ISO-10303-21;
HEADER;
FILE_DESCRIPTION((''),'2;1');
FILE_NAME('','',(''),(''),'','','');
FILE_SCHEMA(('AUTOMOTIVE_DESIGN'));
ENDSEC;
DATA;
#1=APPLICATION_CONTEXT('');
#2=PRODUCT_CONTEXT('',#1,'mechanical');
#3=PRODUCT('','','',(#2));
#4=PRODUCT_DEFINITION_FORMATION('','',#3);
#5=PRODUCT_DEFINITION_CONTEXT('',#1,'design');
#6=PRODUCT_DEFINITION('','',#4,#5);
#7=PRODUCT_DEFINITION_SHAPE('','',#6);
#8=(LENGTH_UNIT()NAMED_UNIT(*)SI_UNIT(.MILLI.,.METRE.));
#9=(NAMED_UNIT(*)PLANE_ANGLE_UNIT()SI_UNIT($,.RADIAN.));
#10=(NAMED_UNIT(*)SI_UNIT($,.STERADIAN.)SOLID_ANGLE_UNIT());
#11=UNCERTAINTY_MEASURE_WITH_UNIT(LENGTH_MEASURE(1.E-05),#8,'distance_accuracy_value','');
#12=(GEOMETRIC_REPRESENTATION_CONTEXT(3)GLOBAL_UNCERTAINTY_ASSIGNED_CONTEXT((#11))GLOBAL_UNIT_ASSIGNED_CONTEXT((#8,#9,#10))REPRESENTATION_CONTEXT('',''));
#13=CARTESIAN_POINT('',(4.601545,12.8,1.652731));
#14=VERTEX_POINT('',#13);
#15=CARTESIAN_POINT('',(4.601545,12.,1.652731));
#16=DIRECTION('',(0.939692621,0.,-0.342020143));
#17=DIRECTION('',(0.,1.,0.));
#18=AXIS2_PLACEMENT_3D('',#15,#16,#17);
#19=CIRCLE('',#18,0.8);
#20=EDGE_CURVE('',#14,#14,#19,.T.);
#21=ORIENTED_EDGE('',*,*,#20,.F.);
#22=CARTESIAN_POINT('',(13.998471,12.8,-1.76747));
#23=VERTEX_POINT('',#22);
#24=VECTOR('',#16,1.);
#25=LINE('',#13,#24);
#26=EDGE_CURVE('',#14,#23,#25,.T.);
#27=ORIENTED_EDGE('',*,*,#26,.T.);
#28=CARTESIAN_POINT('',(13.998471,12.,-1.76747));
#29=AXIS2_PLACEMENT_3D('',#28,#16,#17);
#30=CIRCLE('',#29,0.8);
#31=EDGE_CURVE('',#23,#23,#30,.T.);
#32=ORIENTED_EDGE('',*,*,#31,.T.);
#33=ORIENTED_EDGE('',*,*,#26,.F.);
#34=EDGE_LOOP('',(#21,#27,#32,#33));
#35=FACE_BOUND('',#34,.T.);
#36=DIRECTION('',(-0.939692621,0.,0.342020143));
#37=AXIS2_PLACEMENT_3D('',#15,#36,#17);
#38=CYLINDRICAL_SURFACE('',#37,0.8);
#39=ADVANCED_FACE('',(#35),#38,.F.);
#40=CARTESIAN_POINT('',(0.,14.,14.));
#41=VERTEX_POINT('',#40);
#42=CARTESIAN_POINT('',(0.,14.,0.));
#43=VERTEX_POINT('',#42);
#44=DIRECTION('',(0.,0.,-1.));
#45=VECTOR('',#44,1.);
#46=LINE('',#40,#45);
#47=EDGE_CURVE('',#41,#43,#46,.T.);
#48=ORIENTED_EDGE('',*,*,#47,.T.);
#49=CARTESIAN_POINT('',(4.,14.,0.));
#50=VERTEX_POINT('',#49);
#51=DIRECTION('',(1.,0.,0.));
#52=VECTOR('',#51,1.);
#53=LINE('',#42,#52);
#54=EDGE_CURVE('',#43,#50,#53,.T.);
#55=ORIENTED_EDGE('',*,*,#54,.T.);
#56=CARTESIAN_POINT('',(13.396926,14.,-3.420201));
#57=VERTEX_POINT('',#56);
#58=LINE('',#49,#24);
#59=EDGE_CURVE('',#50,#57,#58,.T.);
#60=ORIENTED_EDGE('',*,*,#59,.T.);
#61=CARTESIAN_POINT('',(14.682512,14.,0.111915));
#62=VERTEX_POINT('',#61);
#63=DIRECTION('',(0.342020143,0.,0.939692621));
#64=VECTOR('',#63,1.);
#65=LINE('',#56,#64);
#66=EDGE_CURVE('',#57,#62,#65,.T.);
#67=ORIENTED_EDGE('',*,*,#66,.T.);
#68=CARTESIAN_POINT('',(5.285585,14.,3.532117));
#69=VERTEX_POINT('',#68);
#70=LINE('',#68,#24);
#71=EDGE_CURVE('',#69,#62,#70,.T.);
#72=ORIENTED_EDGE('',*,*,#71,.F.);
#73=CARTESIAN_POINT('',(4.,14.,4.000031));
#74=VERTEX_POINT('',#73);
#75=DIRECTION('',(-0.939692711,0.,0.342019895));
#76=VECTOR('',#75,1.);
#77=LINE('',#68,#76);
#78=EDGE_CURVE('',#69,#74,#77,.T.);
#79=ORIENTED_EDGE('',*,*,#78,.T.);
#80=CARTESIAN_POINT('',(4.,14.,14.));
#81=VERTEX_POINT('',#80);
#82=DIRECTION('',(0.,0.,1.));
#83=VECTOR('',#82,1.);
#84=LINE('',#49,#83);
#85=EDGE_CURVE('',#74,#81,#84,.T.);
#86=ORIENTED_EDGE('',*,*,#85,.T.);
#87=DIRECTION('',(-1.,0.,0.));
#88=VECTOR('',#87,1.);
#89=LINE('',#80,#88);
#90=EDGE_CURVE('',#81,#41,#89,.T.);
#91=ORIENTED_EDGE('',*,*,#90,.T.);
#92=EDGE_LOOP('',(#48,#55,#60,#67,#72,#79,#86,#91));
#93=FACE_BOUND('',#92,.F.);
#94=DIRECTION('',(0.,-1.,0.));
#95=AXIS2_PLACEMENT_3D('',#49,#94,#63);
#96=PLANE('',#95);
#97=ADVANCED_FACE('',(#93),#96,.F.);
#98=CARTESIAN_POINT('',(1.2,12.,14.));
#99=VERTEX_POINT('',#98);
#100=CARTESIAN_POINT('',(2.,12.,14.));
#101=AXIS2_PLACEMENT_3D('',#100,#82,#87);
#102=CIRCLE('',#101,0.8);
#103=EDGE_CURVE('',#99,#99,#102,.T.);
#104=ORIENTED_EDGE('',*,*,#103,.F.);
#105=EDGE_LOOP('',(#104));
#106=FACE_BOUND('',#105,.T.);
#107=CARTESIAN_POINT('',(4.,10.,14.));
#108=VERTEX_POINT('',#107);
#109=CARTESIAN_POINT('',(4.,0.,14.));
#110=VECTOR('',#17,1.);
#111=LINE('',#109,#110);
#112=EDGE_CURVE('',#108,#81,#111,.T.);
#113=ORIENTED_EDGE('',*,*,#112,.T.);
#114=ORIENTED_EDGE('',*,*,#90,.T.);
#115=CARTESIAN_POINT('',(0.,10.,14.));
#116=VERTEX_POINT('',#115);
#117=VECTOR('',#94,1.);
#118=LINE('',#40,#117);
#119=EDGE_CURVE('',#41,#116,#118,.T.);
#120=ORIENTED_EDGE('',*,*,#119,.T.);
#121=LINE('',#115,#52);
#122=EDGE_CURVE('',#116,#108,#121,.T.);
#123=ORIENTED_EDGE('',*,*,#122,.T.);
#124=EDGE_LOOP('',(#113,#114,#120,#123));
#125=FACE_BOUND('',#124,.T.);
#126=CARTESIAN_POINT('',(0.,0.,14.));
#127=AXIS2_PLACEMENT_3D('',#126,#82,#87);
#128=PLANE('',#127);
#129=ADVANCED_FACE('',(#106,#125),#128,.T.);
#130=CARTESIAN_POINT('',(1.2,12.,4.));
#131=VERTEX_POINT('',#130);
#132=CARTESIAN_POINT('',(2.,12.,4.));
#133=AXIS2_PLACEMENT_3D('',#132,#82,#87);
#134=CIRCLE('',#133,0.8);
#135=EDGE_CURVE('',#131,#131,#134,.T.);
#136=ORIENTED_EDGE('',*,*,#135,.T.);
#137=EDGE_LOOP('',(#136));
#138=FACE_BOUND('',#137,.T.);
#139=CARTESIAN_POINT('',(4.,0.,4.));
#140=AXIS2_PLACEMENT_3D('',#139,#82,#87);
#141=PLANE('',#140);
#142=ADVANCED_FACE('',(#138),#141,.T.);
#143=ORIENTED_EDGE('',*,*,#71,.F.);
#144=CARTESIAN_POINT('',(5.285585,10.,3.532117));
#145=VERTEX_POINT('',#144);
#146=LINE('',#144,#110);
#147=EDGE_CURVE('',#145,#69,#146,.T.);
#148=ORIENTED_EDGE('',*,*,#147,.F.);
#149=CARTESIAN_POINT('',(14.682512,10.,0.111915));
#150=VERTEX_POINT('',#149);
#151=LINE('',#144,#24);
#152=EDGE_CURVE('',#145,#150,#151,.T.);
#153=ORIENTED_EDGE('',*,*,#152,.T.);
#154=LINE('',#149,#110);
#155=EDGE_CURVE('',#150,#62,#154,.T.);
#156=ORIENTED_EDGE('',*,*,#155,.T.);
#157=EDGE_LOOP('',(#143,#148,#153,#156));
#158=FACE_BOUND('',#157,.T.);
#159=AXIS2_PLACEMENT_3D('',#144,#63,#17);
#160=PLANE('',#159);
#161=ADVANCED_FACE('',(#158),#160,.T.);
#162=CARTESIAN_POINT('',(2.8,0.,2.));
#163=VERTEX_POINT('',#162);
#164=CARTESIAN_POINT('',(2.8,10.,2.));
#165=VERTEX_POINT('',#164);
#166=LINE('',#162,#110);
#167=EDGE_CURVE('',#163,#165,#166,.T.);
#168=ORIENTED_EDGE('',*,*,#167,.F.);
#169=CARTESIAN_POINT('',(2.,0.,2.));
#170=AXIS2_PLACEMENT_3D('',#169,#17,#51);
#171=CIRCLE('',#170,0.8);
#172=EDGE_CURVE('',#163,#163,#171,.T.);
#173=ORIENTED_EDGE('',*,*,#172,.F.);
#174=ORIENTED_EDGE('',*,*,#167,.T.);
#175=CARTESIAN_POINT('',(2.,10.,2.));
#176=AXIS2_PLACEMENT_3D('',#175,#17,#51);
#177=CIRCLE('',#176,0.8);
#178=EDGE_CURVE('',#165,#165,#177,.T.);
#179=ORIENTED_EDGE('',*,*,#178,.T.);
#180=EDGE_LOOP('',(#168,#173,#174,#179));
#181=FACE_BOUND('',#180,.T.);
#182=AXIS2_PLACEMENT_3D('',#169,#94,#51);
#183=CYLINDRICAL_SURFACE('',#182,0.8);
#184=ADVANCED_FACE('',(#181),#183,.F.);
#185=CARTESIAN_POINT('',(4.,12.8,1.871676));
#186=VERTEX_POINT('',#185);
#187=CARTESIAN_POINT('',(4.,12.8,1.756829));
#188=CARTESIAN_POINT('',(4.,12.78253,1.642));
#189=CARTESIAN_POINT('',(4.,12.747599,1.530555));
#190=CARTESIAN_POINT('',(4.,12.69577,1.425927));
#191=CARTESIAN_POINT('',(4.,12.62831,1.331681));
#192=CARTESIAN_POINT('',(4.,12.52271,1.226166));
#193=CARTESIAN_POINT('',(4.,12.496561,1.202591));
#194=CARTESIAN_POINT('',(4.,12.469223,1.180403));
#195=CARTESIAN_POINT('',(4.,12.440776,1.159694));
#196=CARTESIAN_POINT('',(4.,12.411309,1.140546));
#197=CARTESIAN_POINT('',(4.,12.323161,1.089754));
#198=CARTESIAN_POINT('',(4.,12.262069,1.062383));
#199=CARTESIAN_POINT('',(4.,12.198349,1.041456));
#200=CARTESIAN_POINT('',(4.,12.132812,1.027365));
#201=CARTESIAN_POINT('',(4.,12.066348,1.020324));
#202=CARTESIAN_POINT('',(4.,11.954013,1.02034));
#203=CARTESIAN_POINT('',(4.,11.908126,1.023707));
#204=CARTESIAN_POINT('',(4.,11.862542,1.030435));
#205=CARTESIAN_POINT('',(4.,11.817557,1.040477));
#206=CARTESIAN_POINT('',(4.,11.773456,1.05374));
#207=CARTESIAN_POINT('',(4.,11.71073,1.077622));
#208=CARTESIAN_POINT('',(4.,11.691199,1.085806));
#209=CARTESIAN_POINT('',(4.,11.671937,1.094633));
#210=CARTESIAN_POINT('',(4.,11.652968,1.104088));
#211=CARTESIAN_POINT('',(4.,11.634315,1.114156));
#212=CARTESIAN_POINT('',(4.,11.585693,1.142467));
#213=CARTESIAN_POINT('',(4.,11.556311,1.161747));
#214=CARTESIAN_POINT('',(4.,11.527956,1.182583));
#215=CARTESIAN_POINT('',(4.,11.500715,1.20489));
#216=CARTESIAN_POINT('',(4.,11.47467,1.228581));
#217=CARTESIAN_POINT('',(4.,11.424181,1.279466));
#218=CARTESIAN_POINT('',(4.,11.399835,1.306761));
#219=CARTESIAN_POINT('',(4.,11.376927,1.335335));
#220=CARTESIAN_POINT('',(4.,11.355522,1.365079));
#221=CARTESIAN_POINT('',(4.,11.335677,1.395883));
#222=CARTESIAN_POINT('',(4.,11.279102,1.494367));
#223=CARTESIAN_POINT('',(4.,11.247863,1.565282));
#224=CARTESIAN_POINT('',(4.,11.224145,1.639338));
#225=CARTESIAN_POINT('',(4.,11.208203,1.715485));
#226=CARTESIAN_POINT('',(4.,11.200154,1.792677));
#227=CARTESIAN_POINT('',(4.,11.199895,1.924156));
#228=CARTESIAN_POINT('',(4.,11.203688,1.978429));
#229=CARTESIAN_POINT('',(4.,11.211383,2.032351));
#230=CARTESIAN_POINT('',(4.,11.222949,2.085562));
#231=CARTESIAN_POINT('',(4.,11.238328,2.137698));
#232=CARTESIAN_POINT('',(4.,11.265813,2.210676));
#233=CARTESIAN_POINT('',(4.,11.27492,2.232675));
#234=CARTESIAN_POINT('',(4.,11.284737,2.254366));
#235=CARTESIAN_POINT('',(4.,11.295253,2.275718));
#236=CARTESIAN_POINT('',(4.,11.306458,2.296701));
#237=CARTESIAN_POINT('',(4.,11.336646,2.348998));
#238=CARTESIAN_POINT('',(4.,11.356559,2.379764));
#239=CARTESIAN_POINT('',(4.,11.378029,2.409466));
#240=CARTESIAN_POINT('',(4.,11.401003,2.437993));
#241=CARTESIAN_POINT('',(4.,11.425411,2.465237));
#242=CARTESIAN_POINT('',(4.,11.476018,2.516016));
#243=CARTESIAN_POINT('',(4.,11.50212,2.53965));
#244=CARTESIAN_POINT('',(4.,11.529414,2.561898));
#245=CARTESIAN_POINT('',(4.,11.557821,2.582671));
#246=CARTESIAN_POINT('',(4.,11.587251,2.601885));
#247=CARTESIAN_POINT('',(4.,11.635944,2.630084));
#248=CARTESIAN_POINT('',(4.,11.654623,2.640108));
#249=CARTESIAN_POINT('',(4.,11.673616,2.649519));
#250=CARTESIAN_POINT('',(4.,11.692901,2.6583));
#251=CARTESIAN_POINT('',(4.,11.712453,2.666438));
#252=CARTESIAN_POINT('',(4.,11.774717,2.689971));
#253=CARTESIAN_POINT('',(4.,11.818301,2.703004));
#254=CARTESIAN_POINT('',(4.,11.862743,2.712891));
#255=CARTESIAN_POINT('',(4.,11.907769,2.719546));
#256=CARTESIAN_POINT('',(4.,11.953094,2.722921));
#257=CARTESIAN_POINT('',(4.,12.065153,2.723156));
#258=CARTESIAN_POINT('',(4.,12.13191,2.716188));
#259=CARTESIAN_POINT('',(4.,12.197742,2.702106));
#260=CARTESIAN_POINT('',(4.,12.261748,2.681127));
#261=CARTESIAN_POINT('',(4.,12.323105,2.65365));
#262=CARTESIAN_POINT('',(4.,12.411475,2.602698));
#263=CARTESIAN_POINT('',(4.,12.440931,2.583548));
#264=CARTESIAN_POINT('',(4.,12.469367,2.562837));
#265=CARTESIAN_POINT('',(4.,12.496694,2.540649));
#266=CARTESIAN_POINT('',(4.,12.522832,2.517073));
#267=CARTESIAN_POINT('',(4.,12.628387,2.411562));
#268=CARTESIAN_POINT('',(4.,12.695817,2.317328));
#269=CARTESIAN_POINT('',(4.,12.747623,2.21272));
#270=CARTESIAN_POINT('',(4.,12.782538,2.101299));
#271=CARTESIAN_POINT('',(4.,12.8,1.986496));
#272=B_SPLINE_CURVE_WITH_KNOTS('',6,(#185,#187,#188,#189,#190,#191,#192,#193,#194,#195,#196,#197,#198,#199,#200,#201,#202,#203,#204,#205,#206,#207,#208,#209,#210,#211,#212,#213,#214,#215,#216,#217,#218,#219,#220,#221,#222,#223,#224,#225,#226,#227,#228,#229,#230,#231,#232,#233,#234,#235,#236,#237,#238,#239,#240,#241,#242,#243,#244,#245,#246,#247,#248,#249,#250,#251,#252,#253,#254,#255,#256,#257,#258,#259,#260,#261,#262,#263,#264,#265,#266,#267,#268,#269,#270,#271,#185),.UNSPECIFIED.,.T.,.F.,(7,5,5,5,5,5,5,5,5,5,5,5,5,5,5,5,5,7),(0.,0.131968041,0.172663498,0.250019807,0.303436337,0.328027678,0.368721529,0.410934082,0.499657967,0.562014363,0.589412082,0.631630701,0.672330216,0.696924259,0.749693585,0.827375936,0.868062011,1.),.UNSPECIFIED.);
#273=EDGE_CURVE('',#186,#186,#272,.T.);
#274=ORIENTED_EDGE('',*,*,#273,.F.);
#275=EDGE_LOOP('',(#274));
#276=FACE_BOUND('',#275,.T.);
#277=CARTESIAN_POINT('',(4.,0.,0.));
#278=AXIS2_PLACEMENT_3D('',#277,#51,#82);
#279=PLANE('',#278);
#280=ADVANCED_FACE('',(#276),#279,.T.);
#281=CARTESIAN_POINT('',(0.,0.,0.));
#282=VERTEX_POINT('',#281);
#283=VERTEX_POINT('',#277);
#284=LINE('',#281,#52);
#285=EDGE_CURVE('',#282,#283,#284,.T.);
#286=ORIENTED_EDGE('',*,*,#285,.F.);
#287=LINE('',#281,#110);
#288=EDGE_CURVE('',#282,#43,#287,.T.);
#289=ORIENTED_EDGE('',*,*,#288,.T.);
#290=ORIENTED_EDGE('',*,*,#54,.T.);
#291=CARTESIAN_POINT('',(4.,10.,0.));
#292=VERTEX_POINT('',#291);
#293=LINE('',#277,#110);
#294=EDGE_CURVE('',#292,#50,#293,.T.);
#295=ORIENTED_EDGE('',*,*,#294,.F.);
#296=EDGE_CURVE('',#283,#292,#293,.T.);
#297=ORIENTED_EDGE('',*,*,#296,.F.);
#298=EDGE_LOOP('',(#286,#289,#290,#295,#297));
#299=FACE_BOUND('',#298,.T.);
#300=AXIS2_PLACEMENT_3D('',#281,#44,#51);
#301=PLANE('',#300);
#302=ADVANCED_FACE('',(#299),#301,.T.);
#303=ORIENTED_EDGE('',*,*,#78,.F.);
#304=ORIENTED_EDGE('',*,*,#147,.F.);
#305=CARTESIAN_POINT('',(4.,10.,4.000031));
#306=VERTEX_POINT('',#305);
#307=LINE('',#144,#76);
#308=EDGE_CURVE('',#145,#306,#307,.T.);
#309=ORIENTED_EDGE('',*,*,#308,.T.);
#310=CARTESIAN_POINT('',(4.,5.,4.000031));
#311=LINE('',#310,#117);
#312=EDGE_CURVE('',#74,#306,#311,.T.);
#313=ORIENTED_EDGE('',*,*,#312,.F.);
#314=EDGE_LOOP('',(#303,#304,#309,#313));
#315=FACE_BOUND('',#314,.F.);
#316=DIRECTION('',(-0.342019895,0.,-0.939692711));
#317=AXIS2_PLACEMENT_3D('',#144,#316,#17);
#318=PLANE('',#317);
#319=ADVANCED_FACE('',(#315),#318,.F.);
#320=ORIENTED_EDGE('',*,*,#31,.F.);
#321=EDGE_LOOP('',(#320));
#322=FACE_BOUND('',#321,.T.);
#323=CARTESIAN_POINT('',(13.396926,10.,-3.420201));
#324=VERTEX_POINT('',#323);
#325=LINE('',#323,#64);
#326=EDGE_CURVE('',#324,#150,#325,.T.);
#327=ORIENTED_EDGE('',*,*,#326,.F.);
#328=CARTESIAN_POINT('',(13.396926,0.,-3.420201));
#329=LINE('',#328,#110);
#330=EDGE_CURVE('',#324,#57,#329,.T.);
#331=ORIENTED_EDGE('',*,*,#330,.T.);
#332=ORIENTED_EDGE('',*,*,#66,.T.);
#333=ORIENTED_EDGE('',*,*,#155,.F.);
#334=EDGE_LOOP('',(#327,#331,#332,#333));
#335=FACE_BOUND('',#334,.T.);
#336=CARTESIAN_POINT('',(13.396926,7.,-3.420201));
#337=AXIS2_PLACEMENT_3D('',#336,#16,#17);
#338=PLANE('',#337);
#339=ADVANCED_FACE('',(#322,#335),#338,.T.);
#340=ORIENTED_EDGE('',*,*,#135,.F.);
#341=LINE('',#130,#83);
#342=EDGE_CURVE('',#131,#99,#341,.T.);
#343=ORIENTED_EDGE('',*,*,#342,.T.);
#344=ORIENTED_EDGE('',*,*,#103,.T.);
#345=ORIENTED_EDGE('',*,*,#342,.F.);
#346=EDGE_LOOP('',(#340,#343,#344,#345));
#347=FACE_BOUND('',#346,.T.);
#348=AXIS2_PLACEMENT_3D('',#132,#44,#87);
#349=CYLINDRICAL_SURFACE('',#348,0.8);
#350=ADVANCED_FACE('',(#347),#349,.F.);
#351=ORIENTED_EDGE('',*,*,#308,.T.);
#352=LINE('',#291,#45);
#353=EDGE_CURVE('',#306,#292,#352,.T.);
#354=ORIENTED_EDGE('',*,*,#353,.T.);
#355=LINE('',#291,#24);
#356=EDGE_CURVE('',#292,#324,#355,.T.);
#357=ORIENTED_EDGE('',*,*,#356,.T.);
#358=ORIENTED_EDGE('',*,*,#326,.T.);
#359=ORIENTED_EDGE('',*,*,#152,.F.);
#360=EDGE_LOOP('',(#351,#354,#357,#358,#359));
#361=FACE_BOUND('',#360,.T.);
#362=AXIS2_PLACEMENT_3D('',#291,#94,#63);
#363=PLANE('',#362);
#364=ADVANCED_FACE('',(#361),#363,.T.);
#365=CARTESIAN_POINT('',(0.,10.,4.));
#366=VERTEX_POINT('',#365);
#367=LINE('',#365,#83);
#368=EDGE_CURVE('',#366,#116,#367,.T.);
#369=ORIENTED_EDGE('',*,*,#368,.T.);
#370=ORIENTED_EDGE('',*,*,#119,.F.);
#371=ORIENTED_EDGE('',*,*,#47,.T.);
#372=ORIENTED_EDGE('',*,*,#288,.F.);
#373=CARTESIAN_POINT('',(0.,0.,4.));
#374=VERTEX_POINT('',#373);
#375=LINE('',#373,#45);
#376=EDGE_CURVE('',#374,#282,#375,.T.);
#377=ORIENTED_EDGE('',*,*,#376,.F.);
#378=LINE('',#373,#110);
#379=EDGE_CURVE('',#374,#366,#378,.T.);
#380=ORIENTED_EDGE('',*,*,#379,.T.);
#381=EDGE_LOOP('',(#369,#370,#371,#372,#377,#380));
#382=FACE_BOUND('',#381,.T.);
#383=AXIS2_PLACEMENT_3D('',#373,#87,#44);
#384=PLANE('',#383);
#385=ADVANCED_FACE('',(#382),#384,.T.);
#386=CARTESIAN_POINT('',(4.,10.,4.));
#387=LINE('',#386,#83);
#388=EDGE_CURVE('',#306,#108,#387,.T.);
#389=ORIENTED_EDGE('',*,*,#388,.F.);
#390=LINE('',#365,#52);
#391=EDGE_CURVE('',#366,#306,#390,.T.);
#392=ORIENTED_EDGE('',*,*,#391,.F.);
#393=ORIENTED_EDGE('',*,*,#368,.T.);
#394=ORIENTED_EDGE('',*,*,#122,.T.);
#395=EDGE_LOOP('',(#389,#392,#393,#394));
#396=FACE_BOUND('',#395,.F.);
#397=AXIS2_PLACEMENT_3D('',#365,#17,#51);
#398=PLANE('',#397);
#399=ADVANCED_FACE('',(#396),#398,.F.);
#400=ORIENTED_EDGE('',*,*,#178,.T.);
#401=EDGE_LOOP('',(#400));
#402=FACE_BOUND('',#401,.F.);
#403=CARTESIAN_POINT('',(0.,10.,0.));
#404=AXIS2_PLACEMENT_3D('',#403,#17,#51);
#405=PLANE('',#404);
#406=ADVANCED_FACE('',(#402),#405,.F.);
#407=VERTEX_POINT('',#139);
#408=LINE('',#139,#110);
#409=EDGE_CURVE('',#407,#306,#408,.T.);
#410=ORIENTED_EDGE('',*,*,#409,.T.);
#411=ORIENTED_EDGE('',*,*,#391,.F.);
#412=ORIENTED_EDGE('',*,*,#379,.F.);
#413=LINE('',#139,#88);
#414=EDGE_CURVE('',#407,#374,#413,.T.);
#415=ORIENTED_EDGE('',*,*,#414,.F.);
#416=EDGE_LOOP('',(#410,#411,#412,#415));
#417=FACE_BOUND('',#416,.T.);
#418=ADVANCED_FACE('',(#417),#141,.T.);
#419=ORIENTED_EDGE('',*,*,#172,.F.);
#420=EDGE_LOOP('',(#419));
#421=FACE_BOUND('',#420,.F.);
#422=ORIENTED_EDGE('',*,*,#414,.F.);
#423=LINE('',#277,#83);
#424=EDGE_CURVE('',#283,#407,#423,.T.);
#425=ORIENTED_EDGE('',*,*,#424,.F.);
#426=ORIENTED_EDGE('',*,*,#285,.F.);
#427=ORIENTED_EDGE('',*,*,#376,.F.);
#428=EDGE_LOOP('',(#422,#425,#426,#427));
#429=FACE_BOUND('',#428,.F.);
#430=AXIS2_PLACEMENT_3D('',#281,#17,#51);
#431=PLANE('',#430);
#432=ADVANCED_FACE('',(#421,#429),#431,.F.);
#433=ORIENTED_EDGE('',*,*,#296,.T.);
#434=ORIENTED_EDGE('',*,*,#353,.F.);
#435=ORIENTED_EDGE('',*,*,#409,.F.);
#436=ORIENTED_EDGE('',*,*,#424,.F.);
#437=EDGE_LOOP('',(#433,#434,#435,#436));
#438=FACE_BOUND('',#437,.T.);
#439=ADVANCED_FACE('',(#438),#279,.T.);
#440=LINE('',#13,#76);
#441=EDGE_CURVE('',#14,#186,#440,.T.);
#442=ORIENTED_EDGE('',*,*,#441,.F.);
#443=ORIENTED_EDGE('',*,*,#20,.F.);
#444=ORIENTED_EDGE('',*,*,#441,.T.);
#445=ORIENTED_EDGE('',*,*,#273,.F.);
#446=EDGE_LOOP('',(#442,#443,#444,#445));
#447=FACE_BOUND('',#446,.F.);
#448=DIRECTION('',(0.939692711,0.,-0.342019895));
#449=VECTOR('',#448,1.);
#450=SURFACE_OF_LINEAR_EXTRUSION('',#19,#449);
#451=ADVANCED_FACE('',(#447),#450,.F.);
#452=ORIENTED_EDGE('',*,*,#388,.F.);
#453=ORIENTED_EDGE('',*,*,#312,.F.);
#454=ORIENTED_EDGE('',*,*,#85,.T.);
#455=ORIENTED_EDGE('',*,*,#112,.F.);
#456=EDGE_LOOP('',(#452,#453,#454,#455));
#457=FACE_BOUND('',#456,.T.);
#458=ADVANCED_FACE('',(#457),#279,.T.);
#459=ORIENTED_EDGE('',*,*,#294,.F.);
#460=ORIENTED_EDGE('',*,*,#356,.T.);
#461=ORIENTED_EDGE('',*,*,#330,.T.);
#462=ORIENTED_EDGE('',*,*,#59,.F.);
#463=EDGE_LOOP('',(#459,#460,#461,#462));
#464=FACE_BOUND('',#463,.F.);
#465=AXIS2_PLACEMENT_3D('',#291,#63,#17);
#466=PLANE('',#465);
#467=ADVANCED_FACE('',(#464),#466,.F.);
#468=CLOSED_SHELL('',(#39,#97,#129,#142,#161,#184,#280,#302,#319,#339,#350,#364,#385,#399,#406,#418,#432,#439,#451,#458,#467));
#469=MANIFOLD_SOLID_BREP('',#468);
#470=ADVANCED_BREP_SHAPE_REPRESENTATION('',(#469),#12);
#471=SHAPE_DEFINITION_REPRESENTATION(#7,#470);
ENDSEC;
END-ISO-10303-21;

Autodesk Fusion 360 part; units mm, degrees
sketch "Sketch1" plane through (0, 0, 0) normal (0, 1, 0) x (1, 0, 0)
  line L0 (0, 0) -> (4, 0)
  line L1 (4, 0) -> (4, -4)
  line L2 (4, -4) -> (0, -4)
  line L3 (0, -4) -> (0, 0)
  circle A0 centre (2, -2) radius 0.8
  dimension "d1" = 4
  dimension "d2" = 4
  dimension "d3" = 1.6
  dimension "d4" = 2
  dimension "d5" = 2
extrude "Extrude1" add sketch "Sketch1" along normal blind 14 makes body 1
sketch "Sketch2" plane through (0, 0, 4) normal (0, 0, 1) x (-1, 0, 0)
  line L0 (0, 0) -> (-4, 0)
  line L1 (-4, 0) -> (-4, -14)
  line L2 (-4, -14) -> (0, -14)
  line L3 (0, -14) -> (0, 0)
  line L4 (-4, -14) -> (0, -14)
  line L5 (0, -14) -> (0, -10)
  line L6 (0, -10) -> (-4, -10)
  line L7 (-4, -10) -> (-4, -14)
  circle A0 centre (-2, -12) radius 0.8
  dimension "d8" = 4
  dimension "d9" = 1.6
  dimension "d10" = 2
  dimension "d11" = 2
extrude "Extrude2" add sketch "Sketch2" along normal blind 10 contours L1 L2 L3 L4 L5 L6 L7 bodies 1
ref_plane "WorkPlane1" through (4, 7, 0) normal (0.9397, 0, -0.342) x (0, 1, 0)
sketch "Sketch3" plane through (4, 7, 0) normal (0.9397, 0, -0.342) x (0, 1, 0)
  line L0 (-7, 3.7588) -> (-7, 0)
  line L1 (-7, 0) -> (7, 0)
  line L2 (7, 0) -> (7, 13.1557)
  line L3 (7, 13.1557) -> (3, 13.1557)
  line L4 (3, 13.1557) -> (3, 3.7588)
  line L5 (3, 3.7588) -> (-7, 3.7588)
  line L6 (7, 0) -> (3, 0)
  line L7 (3, 0) -> (3, 3.7588)
  line L8 (3, 3.7588) -> (7, 3.7588)
  line L9 (7, 3.7588) -> (7, 0)
  circle A0 centre (5, 1.7588) radius 0.8
  dimension "d15" = 1.6
  dimension "d16" = 2
  dimension "d17" = 2
extrude "Extrude3" add sketch "Sketch3" along normal blind 10 separate body contours L1 L2 L6 L7 L8 L9 makes body 2
extrude "Extrude4" add 1 faces at (5.1485, 12.0199, 3.1555) along direction (-0.939693, 0, 0.34202) up to surface end surface through (4, 0, 0) normal (1, 0, 0) offset 0 on bodies 2 bodies 2 1
extrude "Extrude5" add sketch "Sketch1" along normal blind 4 from surface at 10 contours A0 bodies 2
